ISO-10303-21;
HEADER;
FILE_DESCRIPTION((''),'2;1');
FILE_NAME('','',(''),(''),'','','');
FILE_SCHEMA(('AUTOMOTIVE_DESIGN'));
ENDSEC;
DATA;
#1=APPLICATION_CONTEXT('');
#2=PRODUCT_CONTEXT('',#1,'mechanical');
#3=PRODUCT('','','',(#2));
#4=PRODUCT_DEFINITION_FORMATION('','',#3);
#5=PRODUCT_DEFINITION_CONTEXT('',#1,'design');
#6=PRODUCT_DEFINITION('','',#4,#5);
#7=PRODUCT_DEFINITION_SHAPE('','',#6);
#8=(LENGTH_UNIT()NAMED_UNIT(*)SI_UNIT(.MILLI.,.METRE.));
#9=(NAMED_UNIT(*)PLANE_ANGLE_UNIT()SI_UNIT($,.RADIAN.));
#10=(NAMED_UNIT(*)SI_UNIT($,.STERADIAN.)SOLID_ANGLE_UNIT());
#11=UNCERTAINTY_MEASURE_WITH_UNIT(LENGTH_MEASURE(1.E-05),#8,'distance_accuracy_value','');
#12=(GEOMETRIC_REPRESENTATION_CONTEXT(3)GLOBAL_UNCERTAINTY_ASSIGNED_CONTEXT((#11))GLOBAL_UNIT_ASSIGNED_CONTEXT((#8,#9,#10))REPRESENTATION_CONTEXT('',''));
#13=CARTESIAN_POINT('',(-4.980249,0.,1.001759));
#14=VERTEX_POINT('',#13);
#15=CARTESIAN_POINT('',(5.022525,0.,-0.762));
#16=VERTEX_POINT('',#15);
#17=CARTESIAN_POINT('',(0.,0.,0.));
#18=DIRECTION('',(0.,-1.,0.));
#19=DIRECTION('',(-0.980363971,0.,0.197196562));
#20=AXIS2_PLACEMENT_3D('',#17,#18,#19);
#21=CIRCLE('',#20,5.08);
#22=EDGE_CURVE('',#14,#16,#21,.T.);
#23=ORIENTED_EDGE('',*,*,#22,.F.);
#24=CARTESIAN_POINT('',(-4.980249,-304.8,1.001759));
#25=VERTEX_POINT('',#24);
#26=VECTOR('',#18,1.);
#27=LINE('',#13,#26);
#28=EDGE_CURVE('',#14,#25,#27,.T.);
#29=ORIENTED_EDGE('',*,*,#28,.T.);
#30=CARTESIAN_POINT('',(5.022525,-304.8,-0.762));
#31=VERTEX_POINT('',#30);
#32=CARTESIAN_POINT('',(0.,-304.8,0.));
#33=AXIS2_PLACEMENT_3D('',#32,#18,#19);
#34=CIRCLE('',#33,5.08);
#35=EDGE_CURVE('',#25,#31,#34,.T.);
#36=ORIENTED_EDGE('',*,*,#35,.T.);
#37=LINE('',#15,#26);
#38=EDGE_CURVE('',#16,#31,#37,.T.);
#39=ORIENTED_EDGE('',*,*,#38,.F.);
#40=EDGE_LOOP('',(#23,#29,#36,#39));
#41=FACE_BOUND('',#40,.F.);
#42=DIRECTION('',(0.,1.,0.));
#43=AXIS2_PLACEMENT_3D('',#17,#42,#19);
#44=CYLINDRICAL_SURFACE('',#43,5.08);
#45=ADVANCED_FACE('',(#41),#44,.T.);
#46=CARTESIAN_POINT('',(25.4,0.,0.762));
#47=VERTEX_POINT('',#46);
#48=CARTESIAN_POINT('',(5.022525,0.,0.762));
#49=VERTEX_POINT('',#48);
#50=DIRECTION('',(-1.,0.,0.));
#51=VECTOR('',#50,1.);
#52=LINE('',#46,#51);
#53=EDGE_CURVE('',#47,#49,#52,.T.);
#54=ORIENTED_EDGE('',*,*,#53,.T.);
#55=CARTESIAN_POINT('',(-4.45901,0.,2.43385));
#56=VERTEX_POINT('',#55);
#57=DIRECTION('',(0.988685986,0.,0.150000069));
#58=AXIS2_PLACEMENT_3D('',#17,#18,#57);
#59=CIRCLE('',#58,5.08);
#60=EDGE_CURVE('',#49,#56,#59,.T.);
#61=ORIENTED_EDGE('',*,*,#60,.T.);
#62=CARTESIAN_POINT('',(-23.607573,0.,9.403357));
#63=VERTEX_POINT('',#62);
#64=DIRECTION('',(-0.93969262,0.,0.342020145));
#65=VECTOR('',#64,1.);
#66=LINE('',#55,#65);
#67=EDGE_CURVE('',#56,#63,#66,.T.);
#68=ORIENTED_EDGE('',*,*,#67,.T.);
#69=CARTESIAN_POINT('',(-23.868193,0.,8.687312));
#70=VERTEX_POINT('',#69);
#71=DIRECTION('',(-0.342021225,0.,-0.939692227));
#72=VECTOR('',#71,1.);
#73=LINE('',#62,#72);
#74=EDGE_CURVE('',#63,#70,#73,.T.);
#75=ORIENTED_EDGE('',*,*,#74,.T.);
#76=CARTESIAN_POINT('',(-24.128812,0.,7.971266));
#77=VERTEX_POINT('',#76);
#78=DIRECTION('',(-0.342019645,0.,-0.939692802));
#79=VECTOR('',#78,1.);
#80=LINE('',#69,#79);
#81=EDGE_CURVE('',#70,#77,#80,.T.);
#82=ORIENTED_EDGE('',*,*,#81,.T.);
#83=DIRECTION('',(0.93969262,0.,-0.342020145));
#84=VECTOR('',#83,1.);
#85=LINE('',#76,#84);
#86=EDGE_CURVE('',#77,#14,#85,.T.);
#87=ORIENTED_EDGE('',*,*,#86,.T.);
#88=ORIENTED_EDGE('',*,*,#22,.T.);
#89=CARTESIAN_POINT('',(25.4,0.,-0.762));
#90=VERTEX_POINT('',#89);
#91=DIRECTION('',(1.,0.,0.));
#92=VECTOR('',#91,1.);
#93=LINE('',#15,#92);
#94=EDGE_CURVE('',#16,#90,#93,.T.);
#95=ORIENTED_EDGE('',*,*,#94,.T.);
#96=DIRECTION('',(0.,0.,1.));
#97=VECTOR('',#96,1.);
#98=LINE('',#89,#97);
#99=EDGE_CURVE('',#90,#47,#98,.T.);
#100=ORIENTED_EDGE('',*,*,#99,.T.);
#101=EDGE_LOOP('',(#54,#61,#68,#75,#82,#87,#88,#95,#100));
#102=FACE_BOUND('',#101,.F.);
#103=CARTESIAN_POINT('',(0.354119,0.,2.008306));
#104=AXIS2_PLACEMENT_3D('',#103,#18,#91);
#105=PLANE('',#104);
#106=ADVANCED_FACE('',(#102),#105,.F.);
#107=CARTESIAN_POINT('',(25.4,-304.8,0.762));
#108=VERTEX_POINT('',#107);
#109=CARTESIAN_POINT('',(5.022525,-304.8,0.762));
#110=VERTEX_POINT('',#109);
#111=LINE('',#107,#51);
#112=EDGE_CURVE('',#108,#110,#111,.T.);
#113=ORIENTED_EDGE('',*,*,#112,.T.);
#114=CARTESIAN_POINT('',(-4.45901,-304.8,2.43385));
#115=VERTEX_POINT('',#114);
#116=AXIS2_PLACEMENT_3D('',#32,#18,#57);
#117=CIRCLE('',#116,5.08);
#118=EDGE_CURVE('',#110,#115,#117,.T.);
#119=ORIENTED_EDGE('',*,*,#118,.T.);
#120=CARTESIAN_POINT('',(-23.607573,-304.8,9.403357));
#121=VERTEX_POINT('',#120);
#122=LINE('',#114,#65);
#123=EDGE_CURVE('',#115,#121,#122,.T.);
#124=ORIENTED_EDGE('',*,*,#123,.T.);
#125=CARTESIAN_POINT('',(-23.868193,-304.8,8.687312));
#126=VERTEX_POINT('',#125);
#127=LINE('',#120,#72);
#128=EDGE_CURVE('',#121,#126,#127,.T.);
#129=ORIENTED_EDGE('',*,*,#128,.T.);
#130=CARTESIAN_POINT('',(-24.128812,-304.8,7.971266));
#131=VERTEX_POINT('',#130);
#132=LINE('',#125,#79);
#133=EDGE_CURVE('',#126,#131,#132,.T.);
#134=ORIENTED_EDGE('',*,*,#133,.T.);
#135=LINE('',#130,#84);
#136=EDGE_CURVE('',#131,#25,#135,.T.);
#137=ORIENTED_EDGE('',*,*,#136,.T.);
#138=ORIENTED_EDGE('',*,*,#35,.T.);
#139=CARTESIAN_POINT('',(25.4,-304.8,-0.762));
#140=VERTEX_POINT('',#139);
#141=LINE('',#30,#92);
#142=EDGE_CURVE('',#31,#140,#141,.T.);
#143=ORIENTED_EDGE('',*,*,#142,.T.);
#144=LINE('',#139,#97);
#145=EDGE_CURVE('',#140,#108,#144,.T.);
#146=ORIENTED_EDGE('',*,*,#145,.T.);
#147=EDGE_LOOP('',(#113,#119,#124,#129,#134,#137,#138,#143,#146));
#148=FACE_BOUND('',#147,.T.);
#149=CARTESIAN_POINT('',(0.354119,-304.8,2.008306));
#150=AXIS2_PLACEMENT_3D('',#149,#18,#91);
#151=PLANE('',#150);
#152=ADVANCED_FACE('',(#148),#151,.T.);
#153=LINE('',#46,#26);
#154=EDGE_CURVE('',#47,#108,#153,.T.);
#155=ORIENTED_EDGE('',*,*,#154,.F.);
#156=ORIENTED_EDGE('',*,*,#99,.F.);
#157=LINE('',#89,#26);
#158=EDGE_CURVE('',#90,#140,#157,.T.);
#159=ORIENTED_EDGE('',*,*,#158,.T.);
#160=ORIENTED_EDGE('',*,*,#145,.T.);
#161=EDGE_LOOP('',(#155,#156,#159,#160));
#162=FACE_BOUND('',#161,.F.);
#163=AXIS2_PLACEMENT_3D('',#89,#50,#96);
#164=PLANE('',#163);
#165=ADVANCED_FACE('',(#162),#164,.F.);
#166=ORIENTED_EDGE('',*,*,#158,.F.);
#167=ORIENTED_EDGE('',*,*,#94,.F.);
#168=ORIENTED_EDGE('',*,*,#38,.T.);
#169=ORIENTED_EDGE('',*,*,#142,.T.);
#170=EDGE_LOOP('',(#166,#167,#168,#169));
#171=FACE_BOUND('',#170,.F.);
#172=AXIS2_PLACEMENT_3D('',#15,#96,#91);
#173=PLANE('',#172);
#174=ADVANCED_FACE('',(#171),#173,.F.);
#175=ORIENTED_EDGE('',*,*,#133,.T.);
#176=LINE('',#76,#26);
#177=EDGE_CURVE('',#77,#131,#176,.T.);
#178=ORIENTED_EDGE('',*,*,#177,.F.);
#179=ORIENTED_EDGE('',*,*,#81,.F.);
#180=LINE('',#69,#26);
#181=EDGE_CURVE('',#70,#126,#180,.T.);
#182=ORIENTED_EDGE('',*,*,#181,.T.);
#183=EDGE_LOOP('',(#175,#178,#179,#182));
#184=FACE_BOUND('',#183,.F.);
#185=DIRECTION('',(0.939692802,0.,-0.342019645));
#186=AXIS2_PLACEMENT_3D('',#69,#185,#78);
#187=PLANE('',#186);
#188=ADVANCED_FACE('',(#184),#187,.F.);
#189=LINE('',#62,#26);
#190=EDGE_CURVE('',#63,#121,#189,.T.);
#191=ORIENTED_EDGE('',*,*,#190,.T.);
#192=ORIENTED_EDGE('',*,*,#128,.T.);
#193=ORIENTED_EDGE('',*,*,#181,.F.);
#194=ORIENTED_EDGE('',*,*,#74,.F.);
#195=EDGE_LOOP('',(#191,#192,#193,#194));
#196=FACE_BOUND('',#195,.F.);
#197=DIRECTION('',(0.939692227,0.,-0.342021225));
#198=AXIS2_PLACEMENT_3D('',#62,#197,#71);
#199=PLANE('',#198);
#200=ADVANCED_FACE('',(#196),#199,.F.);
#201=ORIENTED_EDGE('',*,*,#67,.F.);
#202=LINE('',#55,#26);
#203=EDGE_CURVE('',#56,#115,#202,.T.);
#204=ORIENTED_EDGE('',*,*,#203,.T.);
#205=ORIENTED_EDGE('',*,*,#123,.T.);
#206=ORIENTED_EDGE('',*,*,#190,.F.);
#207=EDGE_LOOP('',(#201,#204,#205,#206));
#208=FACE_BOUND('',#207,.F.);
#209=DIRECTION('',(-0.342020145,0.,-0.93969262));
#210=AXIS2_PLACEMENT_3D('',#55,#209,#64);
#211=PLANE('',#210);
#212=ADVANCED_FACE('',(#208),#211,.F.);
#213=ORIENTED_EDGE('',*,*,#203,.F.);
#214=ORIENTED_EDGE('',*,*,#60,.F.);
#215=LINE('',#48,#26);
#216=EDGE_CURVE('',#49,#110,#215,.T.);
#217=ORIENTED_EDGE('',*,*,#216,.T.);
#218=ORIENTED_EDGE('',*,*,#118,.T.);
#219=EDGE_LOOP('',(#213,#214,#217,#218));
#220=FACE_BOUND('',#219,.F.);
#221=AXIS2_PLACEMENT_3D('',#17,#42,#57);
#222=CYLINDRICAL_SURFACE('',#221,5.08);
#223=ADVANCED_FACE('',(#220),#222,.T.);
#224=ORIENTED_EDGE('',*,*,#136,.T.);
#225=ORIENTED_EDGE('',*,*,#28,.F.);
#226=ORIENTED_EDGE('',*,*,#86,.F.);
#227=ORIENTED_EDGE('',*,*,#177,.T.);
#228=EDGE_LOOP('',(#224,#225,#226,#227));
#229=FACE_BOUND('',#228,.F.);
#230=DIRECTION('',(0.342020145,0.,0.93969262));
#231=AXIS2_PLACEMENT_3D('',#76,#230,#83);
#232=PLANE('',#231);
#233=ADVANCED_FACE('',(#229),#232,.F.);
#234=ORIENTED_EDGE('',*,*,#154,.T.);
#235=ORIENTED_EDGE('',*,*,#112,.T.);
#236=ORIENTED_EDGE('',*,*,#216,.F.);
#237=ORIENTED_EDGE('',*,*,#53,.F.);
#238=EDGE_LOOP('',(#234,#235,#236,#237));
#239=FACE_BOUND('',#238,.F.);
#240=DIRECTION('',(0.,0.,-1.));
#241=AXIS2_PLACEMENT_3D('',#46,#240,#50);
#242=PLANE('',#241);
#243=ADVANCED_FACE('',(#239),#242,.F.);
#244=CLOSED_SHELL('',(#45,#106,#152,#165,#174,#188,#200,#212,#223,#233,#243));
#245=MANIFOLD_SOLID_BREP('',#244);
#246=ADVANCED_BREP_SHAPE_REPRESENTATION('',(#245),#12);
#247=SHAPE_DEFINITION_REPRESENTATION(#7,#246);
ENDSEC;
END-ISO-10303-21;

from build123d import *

# Parameters (mm, degrees)
F1_DEPTH = 304.8


with BuildPart() as f1:
    # F0 (on Front) → F1 (new body)
    with BuildSketch(Plane.XZ):
        with BuildLine():
            Line((-24.128812, 7.971266), (-4.980249, 1.001759))
            ThreePointArc((-4.980249, 1.001759), (-0.882133, -5.002823), (5.022525, -0.762))
            Line((5.022525, -0.762), (25.4, -0.762))
            Line((25.4, -0.762), (25.4, 0.762))
            Line((25.4, 0.762), (5.022525, 0.762))
            ThreePointArc((5.022525, 0.762), (0.882133, 5.002823), (-4.45901, 2.43385))
            Line((-4.45901, 2.43385), (-23.607573, 9.403357))
            Line((-23.607573, 9.403357), (-23.868193, 8.687312))
            Line((-23.868193, 8.687312), (-24.128812, 7.971266))
        make_face()
    extrude(amount=F1_DEPTH)


solid = f1.part
